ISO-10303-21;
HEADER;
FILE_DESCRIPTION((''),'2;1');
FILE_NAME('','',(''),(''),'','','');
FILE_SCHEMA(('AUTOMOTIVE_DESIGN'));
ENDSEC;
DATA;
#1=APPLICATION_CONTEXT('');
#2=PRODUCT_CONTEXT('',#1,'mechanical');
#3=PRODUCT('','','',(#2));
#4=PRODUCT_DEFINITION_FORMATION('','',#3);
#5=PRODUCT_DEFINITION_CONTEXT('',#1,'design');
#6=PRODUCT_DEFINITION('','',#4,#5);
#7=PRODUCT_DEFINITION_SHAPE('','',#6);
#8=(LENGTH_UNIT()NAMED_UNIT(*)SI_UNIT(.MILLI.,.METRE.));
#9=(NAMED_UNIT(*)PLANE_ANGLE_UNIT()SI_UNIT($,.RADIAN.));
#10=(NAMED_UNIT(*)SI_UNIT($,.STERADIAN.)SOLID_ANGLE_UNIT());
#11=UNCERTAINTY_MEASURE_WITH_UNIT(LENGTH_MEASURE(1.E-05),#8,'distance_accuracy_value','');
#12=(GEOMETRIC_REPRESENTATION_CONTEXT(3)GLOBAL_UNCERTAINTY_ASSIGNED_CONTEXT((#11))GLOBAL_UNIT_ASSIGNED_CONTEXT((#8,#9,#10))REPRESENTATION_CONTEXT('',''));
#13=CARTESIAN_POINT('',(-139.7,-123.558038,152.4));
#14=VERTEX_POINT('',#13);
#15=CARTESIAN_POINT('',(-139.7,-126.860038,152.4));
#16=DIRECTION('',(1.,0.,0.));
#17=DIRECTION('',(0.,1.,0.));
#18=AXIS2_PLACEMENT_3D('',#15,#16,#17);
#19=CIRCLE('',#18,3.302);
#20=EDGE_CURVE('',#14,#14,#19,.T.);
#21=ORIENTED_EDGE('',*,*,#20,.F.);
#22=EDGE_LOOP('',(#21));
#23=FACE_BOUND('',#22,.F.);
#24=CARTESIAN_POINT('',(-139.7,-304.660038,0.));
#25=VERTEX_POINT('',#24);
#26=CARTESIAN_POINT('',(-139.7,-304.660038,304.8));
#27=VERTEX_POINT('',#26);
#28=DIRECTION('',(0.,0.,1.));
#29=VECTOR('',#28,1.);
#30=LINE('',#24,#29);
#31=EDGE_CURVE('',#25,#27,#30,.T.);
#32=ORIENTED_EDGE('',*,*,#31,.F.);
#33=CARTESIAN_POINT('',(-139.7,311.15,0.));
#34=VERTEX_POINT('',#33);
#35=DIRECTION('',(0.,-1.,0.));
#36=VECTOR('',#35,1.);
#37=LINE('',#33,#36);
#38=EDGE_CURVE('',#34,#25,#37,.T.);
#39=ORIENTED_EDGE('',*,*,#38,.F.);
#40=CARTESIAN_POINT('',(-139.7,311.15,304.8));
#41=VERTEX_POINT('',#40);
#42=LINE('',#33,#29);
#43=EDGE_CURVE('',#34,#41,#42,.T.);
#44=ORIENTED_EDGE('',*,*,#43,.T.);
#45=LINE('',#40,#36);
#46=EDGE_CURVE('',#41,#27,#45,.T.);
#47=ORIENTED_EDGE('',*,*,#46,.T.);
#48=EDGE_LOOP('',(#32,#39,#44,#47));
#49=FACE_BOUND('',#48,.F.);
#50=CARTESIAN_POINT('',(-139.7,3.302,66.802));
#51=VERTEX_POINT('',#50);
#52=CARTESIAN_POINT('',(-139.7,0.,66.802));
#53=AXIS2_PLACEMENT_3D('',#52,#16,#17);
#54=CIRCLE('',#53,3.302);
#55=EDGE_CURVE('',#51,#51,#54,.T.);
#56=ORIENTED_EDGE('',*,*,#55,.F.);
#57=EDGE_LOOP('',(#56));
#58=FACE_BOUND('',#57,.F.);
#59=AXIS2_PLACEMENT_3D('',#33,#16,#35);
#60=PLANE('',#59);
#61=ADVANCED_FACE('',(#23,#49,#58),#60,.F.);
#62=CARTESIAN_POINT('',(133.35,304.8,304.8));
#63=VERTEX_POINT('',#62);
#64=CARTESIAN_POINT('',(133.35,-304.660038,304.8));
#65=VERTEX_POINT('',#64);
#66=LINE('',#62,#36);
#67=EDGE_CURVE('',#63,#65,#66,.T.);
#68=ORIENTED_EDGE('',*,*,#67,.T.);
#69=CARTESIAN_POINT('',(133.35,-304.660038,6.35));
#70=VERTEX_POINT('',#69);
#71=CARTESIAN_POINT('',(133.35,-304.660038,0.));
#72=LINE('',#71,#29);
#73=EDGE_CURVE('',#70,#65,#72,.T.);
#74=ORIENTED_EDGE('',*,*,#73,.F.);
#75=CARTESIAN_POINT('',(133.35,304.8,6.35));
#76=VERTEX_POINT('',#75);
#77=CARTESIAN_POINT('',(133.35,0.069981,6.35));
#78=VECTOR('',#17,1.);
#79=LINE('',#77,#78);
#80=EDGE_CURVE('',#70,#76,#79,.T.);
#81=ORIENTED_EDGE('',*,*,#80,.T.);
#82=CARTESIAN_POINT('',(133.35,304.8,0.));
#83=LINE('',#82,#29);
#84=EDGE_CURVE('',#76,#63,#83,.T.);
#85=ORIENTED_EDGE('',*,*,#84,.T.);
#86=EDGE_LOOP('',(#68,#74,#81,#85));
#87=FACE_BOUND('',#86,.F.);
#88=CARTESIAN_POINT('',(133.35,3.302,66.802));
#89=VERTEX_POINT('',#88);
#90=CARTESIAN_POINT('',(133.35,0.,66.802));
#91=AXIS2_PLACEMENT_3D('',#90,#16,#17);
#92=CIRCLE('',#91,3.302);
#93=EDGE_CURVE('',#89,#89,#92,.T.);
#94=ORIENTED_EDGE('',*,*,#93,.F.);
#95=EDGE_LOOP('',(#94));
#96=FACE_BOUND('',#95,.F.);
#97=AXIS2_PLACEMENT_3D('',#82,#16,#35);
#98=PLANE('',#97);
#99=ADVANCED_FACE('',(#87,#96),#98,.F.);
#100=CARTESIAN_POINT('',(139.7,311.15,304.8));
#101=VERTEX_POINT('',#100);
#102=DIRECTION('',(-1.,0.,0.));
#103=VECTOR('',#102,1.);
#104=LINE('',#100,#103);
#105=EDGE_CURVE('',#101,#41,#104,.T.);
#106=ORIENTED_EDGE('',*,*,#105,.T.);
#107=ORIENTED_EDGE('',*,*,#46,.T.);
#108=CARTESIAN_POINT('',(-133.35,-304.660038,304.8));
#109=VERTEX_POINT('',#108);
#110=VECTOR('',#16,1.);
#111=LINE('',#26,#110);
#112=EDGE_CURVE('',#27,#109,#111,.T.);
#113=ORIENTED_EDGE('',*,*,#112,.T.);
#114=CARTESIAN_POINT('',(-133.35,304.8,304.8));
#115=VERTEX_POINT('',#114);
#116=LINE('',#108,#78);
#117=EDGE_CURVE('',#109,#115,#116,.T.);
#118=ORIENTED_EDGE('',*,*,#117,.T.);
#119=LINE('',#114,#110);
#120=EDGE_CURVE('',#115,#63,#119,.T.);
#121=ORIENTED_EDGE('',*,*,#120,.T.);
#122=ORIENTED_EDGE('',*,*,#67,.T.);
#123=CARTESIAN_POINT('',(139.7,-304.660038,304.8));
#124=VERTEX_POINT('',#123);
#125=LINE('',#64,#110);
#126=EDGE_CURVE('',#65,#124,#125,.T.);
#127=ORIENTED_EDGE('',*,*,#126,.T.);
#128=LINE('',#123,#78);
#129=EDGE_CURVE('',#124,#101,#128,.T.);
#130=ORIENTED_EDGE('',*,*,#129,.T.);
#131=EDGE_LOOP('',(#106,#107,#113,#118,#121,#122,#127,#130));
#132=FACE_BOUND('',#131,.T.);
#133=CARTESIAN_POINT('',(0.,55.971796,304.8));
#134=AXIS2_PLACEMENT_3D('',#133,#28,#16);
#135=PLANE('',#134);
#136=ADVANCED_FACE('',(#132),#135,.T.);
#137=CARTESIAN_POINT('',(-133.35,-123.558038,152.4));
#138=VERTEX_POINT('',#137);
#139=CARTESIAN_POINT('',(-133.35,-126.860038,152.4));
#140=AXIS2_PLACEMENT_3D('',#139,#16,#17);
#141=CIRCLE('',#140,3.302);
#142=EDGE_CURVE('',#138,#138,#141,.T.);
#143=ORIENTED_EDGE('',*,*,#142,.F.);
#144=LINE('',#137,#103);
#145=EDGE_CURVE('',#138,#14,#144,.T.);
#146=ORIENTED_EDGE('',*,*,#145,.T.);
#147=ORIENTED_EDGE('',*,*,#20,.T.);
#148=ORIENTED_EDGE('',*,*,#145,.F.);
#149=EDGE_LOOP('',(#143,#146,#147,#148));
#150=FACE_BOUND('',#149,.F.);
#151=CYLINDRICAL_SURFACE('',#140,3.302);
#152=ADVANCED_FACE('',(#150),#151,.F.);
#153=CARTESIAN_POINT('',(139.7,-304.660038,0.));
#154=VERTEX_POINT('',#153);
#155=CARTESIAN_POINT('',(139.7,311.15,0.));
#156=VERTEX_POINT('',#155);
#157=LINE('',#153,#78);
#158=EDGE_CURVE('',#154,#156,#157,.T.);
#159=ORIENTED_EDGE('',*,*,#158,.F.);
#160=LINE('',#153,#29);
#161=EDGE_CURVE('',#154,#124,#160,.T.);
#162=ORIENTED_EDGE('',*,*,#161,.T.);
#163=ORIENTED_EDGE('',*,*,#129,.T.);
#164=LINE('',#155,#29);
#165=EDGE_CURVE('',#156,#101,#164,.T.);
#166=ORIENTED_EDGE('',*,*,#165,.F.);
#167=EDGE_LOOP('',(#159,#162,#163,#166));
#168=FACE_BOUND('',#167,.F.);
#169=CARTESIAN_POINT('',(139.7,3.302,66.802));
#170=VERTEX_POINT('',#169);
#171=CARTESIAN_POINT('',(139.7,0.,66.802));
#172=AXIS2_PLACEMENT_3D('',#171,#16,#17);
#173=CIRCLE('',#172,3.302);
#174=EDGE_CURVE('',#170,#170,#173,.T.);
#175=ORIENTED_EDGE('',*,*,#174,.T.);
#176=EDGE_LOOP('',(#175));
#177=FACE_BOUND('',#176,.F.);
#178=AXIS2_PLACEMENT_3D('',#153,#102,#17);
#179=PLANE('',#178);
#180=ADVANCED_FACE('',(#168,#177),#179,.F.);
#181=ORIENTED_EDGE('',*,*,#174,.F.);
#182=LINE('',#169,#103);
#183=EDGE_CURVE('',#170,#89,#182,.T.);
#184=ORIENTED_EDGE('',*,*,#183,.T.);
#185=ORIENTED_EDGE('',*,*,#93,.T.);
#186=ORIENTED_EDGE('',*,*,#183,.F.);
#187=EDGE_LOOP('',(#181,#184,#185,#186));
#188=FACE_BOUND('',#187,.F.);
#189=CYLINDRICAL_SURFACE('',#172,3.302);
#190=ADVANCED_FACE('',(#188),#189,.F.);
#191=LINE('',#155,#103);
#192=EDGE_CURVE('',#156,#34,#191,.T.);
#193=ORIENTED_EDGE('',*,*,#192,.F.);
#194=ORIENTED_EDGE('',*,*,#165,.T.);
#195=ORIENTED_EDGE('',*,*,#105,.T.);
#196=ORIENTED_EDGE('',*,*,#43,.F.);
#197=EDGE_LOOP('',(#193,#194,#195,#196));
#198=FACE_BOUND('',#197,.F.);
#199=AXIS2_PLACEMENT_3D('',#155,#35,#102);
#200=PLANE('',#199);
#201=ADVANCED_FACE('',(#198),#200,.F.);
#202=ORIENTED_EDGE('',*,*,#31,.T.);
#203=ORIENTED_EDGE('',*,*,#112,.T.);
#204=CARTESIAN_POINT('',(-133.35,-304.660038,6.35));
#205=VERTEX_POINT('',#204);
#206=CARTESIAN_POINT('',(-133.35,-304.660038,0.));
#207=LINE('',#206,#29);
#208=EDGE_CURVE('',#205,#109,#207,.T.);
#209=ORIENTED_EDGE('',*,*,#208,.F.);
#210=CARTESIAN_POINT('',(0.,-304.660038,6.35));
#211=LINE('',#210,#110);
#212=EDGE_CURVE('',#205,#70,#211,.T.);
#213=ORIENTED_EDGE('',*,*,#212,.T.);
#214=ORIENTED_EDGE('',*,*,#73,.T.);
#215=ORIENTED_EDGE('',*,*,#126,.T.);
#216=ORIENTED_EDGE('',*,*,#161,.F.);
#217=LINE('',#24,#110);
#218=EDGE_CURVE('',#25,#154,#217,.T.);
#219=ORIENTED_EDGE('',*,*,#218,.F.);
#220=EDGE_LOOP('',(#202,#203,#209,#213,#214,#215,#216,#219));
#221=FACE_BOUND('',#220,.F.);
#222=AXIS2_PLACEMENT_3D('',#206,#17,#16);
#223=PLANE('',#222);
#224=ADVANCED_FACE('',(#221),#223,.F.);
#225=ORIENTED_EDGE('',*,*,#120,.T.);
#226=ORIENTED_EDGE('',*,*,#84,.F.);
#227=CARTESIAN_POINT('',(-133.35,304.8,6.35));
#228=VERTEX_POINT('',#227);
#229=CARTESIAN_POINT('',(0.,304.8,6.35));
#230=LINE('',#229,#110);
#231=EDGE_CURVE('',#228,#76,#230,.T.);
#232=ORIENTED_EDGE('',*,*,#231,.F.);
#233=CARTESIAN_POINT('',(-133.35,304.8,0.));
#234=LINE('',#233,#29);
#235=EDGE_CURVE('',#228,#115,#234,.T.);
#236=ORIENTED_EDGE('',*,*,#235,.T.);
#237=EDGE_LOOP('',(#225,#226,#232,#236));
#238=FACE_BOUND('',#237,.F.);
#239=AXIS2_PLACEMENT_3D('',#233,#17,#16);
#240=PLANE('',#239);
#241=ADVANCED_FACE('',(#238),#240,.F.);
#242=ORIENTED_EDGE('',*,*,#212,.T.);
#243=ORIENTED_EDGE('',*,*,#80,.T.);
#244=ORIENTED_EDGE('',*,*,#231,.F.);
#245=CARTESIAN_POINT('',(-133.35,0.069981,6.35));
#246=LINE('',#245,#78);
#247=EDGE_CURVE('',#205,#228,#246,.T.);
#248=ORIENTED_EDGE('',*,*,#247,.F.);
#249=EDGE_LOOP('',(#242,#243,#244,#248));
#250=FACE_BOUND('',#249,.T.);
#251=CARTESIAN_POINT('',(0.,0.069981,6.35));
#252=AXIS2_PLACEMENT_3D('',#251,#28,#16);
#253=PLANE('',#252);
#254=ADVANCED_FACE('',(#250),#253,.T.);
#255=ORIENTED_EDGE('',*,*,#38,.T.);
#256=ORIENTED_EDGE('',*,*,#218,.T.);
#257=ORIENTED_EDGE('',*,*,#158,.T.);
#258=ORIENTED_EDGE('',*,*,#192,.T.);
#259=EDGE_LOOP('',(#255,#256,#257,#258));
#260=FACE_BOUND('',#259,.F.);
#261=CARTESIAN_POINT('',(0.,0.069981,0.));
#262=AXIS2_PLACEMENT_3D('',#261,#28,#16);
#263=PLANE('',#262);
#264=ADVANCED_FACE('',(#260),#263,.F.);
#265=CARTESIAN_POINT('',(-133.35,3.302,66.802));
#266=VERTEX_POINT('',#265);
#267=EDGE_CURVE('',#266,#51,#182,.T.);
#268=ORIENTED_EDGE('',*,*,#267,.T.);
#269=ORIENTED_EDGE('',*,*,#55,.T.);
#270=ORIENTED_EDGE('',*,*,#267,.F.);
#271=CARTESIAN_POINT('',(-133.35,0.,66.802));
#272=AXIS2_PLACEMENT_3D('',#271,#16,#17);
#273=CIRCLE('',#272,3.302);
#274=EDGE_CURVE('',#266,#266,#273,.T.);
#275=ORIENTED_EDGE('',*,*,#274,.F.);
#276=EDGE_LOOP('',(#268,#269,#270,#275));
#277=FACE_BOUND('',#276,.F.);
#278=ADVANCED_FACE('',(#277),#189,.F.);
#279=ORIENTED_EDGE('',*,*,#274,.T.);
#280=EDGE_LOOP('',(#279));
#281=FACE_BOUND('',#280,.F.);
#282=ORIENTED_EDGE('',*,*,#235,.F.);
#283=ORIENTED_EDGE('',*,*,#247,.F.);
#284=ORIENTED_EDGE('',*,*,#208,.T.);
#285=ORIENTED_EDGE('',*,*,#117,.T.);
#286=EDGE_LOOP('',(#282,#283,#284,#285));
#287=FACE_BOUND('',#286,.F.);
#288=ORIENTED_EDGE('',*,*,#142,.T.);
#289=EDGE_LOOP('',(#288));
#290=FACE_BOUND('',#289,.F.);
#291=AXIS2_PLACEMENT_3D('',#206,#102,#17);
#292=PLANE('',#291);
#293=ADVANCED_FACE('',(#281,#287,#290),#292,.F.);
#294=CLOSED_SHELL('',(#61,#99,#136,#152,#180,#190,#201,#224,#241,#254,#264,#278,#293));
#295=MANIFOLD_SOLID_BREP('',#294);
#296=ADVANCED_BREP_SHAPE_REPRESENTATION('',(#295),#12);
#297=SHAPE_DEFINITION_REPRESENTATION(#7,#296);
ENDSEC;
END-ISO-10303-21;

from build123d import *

# Parameters (mm, degrees)
F0_W     = 266.7
F0_H     = 609.4600376606
F1_DEPTH = 6.35
F2_DEPTH = 304.8
F3_R     = 3.302
F4_DEPTH = 279.401
F5_R     = 3.302
F6_DEPTH = 25.4


with BuildPart() as f1:
    # F0 (on Top) → F1 (new body)
    with BuildSketch(Plane.XY):
        with Locations((0, 0.0699811697)):
            Rectangle(F0_W, F0_H)
    extrude(amount=F1_DEPTH)

    # F0 (on Top) → F2 (join)
    with BuildSketch(Plane.XY):
        Polygon((-133.35, 304.8), (133.35, 304.8), (133.35, -304.6600376606), (139.7, -304.6600376606), (139.7, 311.15), (-139.7, 311.15), (-139.7, -304.6600376606), (-133.35, -304.6600376606), align=None)
    extrude(amount=F2_DEPTH)

    # F3 (on face) → F4 (cut, through all)
    with BuildSketch(Plane.YZ.offset(139.7)):
        with Locations((0, 66.802)):
            Circle(F3_R)
    extrude(amount=-F4_DEPTH, mode=Mode.SUBTRACT)

    # F5 (on face) → F6 (cut)
    with BuildSketch(Plane.YZ.offset(-133.35)):
        with Locations((-126.8600376606, 152.4)):
            Circle(F5_R)
    extrude(amount=-F6_DEPTH, mode=Mode.SUBTRACT)


solid = f1.part
